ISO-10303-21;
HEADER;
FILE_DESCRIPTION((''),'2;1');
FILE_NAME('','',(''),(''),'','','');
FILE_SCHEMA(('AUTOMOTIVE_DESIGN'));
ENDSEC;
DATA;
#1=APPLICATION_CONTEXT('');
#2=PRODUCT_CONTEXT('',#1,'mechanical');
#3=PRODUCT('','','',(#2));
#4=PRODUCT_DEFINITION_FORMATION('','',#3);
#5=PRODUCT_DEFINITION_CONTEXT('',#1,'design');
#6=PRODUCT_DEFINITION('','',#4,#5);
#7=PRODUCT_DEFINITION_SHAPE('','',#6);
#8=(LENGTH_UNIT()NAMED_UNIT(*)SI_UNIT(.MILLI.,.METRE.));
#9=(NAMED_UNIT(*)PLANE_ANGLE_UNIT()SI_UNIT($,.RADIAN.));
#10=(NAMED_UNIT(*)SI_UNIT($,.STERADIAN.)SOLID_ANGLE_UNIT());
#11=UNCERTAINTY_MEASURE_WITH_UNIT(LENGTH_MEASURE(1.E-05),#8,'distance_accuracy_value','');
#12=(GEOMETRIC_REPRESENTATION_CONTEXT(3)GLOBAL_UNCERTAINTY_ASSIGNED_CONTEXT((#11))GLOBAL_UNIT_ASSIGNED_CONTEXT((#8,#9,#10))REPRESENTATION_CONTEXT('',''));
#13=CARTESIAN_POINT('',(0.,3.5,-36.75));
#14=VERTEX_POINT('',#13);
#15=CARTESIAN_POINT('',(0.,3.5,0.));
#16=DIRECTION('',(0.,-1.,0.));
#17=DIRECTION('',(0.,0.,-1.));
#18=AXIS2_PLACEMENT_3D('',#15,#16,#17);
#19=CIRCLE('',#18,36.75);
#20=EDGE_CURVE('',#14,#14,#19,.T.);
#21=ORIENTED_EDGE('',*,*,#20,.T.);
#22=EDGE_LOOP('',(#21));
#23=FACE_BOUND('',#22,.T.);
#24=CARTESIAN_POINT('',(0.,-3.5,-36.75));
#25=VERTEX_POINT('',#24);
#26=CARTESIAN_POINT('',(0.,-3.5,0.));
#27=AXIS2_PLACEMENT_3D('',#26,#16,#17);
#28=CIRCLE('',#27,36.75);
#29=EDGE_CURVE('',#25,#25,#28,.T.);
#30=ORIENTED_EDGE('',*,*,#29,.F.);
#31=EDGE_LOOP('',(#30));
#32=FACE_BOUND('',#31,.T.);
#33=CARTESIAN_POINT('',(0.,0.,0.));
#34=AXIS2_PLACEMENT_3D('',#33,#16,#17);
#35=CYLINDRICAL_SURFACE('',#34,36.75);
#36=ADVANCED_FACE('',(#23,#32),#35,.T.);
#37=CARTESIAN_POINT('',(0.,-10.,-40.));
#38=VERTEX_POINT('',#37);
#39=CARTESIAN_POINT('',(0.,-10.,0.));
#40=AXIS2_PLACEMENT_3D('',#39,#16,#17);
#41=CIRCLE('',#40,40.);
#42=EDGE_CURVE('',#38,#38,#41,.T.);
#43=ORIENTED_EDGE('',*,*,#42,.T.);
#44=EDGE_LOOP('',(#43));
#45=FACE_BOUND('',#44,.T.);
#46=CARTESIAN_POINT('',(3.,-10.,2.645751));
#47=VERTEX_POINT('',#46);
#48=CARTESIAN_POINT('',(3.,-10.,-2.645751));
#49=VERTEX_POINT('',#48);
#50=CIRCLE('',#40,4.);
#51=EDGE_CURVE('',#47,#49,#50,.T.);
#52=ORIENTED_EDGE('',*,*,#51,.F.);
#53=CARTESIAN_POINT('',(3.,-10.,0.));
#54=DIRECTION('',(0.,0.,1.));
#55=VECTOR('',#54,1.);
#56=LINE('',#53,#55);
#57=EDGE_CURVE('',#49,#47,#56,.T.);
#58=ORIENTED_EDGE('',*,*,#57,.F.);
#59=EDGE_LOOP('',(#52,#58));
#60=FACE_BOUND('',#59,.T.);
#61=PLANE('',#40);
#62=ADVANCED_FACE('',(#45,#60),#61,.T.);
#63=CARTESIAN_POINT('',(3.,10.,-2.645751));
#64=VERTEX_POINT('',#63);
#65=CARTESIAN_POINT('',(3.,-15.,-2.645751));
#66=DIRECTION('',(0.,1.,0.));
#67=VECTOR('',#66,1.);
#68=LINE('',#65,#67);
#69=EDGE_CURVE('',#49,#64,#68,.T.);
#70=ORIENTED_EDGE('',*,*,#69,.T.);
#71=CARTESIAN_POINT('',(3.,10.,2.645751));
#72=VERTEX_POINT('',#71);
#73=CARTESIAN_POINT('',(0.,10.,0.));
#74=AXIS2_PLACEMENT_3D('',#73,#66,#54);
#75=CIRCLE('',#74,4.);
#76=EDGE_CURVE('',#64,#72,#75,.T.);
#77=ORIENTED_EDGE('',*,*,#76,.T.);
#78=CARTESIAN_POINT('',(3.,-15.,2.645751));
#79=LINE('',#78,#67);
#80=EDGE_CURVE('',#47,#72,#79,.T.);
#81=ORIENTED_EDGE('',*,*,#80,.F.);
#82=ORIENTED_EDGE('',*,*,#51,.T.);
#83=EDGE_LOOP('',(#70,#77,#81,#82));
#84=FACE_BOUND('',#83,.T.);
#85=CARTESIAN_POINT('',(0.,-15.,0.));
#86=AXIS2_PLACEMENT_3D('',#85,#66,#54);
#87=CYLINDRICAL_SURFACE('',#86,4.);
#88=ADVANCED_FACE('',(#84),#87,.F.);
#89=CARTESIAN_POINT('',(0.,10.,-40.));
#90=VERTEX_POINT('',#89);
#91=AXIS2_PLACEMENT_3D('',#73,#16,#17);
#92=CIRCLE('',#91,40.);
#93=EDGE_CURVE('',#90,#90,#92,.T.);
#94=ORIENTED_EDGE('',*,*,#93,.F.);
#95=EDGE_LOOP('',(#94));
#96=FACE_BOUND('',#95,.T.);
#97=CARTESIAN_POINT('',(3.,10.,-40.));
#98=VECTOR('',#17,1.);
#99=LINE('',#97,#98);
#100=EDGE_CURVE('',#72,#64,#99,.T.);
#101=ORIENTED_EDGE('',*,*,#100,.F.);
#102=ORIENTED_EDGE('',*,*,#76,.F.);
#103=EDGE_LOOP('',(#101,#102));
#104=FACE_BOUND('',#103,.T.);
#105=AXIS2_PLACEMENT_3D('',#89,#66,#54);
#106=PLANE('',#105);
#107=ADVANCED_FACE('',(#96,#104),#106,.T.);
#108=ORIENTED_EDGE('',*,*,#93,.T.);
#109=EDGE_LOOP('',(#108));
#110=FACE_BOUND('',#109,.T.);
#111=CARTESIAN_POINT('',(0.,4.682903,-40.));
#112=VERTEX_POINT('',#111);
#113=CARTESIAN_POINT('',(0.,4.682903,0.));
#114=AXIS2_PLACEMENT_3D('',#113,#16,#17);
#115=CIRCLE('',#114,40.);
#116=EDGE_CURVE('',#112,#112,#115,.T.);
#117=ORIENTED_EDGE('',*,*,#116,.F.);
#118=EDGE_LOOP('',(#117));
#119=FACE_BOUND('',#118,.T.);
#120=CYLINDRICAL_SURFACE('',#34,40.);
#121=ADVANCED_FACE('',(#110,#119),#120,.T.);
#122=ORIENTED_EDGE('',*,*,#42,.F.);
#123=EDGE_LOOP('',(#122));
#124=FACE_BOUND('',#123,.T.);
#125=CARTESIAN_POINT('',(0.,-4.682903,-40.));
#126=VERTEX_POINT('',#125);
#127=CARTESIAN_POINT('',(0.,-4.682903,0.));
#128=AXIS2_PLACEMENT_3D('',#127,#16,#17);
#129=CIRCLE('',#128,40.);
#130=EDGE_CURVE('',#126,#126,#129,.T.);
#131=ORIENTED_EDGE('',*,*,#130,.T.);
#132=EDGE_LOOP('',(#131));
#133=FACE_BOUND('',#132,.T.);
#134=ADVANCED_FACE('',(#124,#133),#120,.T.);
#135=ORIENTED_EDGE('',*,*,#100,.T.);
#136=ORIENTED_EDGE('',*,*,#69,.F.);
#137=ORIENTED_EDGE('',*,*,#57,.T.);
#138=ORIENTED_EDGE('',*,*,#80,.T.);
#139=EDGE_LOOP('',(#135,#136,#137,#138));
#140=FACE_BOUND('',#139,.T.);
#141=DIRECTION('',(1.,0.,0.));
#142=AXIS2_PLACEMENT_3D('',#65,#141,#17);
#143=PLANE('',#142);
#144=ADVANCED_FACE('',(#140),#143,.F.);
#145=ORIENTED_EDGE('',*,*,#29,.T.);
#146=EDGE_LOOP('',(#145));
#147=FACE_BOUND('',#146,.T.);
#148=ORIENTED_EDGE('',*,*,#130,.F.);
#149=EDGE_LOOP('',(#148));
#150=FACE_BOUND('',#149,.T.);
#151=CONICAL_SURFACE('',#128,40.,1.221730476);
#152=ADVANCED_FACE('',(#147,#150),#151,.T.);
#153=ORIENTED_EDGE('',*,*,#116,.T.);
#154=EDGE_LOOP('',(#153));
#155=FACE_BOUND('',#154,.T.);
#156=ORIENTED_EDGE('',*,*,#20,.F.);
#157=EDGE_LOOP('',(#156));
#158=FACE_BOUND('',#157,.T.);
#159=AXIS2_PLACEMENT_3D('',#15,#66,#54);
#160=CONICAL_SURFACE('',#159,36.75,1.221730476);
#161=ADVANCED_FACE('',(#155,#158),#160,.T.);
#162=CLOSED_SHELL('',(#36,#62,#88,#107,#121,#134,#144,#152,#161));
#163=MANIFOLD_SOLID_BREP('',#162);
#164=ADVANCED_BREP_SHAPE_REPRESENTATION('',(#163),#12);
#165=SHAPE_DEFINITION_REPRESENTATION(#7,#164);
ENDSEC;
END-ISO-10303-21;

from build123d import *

# Parameters (mm, degrees)
CORTAR_EXTRUIR1_DEPTH = 15


with BuildPart() as part:
    # Croquis1 → Revolución1 (revolve)
    with BuildSketch(Plane(origin=(0, 0, 0), x_dir=(0, 0, -1), z_dir=(1, 0, 0))):
        Polygon((40, 10), (0, 10), (0, -10), (40, -10), (40, -4.682903261), (36.75, -3.5), (36.75, 3.5), (40, 4.682903261), align=None)
    revolve(axis=Axis((0, 0, 0), (0, 1, 0)))

    # Croquis2 → Cortar-Extruir1 (cut, symmetric)
    with BuildSketch(Plane(origin=(0, 0, 0), x_dir=(1, 0, 0), z_dir=(0, 1, 0))):
        with BuildLine():
            Line((3, 2.645751311), (3, -2.645751311))
            ThreePointArc((3, -2.645751311), (-4, 0), (3, 2.645751311))
        make_face()
    extrude(amount=CORTAR_EXTRUIR1_DEPTH, both=True, mode=Mode.SUBTRACT)


solid = part.part
